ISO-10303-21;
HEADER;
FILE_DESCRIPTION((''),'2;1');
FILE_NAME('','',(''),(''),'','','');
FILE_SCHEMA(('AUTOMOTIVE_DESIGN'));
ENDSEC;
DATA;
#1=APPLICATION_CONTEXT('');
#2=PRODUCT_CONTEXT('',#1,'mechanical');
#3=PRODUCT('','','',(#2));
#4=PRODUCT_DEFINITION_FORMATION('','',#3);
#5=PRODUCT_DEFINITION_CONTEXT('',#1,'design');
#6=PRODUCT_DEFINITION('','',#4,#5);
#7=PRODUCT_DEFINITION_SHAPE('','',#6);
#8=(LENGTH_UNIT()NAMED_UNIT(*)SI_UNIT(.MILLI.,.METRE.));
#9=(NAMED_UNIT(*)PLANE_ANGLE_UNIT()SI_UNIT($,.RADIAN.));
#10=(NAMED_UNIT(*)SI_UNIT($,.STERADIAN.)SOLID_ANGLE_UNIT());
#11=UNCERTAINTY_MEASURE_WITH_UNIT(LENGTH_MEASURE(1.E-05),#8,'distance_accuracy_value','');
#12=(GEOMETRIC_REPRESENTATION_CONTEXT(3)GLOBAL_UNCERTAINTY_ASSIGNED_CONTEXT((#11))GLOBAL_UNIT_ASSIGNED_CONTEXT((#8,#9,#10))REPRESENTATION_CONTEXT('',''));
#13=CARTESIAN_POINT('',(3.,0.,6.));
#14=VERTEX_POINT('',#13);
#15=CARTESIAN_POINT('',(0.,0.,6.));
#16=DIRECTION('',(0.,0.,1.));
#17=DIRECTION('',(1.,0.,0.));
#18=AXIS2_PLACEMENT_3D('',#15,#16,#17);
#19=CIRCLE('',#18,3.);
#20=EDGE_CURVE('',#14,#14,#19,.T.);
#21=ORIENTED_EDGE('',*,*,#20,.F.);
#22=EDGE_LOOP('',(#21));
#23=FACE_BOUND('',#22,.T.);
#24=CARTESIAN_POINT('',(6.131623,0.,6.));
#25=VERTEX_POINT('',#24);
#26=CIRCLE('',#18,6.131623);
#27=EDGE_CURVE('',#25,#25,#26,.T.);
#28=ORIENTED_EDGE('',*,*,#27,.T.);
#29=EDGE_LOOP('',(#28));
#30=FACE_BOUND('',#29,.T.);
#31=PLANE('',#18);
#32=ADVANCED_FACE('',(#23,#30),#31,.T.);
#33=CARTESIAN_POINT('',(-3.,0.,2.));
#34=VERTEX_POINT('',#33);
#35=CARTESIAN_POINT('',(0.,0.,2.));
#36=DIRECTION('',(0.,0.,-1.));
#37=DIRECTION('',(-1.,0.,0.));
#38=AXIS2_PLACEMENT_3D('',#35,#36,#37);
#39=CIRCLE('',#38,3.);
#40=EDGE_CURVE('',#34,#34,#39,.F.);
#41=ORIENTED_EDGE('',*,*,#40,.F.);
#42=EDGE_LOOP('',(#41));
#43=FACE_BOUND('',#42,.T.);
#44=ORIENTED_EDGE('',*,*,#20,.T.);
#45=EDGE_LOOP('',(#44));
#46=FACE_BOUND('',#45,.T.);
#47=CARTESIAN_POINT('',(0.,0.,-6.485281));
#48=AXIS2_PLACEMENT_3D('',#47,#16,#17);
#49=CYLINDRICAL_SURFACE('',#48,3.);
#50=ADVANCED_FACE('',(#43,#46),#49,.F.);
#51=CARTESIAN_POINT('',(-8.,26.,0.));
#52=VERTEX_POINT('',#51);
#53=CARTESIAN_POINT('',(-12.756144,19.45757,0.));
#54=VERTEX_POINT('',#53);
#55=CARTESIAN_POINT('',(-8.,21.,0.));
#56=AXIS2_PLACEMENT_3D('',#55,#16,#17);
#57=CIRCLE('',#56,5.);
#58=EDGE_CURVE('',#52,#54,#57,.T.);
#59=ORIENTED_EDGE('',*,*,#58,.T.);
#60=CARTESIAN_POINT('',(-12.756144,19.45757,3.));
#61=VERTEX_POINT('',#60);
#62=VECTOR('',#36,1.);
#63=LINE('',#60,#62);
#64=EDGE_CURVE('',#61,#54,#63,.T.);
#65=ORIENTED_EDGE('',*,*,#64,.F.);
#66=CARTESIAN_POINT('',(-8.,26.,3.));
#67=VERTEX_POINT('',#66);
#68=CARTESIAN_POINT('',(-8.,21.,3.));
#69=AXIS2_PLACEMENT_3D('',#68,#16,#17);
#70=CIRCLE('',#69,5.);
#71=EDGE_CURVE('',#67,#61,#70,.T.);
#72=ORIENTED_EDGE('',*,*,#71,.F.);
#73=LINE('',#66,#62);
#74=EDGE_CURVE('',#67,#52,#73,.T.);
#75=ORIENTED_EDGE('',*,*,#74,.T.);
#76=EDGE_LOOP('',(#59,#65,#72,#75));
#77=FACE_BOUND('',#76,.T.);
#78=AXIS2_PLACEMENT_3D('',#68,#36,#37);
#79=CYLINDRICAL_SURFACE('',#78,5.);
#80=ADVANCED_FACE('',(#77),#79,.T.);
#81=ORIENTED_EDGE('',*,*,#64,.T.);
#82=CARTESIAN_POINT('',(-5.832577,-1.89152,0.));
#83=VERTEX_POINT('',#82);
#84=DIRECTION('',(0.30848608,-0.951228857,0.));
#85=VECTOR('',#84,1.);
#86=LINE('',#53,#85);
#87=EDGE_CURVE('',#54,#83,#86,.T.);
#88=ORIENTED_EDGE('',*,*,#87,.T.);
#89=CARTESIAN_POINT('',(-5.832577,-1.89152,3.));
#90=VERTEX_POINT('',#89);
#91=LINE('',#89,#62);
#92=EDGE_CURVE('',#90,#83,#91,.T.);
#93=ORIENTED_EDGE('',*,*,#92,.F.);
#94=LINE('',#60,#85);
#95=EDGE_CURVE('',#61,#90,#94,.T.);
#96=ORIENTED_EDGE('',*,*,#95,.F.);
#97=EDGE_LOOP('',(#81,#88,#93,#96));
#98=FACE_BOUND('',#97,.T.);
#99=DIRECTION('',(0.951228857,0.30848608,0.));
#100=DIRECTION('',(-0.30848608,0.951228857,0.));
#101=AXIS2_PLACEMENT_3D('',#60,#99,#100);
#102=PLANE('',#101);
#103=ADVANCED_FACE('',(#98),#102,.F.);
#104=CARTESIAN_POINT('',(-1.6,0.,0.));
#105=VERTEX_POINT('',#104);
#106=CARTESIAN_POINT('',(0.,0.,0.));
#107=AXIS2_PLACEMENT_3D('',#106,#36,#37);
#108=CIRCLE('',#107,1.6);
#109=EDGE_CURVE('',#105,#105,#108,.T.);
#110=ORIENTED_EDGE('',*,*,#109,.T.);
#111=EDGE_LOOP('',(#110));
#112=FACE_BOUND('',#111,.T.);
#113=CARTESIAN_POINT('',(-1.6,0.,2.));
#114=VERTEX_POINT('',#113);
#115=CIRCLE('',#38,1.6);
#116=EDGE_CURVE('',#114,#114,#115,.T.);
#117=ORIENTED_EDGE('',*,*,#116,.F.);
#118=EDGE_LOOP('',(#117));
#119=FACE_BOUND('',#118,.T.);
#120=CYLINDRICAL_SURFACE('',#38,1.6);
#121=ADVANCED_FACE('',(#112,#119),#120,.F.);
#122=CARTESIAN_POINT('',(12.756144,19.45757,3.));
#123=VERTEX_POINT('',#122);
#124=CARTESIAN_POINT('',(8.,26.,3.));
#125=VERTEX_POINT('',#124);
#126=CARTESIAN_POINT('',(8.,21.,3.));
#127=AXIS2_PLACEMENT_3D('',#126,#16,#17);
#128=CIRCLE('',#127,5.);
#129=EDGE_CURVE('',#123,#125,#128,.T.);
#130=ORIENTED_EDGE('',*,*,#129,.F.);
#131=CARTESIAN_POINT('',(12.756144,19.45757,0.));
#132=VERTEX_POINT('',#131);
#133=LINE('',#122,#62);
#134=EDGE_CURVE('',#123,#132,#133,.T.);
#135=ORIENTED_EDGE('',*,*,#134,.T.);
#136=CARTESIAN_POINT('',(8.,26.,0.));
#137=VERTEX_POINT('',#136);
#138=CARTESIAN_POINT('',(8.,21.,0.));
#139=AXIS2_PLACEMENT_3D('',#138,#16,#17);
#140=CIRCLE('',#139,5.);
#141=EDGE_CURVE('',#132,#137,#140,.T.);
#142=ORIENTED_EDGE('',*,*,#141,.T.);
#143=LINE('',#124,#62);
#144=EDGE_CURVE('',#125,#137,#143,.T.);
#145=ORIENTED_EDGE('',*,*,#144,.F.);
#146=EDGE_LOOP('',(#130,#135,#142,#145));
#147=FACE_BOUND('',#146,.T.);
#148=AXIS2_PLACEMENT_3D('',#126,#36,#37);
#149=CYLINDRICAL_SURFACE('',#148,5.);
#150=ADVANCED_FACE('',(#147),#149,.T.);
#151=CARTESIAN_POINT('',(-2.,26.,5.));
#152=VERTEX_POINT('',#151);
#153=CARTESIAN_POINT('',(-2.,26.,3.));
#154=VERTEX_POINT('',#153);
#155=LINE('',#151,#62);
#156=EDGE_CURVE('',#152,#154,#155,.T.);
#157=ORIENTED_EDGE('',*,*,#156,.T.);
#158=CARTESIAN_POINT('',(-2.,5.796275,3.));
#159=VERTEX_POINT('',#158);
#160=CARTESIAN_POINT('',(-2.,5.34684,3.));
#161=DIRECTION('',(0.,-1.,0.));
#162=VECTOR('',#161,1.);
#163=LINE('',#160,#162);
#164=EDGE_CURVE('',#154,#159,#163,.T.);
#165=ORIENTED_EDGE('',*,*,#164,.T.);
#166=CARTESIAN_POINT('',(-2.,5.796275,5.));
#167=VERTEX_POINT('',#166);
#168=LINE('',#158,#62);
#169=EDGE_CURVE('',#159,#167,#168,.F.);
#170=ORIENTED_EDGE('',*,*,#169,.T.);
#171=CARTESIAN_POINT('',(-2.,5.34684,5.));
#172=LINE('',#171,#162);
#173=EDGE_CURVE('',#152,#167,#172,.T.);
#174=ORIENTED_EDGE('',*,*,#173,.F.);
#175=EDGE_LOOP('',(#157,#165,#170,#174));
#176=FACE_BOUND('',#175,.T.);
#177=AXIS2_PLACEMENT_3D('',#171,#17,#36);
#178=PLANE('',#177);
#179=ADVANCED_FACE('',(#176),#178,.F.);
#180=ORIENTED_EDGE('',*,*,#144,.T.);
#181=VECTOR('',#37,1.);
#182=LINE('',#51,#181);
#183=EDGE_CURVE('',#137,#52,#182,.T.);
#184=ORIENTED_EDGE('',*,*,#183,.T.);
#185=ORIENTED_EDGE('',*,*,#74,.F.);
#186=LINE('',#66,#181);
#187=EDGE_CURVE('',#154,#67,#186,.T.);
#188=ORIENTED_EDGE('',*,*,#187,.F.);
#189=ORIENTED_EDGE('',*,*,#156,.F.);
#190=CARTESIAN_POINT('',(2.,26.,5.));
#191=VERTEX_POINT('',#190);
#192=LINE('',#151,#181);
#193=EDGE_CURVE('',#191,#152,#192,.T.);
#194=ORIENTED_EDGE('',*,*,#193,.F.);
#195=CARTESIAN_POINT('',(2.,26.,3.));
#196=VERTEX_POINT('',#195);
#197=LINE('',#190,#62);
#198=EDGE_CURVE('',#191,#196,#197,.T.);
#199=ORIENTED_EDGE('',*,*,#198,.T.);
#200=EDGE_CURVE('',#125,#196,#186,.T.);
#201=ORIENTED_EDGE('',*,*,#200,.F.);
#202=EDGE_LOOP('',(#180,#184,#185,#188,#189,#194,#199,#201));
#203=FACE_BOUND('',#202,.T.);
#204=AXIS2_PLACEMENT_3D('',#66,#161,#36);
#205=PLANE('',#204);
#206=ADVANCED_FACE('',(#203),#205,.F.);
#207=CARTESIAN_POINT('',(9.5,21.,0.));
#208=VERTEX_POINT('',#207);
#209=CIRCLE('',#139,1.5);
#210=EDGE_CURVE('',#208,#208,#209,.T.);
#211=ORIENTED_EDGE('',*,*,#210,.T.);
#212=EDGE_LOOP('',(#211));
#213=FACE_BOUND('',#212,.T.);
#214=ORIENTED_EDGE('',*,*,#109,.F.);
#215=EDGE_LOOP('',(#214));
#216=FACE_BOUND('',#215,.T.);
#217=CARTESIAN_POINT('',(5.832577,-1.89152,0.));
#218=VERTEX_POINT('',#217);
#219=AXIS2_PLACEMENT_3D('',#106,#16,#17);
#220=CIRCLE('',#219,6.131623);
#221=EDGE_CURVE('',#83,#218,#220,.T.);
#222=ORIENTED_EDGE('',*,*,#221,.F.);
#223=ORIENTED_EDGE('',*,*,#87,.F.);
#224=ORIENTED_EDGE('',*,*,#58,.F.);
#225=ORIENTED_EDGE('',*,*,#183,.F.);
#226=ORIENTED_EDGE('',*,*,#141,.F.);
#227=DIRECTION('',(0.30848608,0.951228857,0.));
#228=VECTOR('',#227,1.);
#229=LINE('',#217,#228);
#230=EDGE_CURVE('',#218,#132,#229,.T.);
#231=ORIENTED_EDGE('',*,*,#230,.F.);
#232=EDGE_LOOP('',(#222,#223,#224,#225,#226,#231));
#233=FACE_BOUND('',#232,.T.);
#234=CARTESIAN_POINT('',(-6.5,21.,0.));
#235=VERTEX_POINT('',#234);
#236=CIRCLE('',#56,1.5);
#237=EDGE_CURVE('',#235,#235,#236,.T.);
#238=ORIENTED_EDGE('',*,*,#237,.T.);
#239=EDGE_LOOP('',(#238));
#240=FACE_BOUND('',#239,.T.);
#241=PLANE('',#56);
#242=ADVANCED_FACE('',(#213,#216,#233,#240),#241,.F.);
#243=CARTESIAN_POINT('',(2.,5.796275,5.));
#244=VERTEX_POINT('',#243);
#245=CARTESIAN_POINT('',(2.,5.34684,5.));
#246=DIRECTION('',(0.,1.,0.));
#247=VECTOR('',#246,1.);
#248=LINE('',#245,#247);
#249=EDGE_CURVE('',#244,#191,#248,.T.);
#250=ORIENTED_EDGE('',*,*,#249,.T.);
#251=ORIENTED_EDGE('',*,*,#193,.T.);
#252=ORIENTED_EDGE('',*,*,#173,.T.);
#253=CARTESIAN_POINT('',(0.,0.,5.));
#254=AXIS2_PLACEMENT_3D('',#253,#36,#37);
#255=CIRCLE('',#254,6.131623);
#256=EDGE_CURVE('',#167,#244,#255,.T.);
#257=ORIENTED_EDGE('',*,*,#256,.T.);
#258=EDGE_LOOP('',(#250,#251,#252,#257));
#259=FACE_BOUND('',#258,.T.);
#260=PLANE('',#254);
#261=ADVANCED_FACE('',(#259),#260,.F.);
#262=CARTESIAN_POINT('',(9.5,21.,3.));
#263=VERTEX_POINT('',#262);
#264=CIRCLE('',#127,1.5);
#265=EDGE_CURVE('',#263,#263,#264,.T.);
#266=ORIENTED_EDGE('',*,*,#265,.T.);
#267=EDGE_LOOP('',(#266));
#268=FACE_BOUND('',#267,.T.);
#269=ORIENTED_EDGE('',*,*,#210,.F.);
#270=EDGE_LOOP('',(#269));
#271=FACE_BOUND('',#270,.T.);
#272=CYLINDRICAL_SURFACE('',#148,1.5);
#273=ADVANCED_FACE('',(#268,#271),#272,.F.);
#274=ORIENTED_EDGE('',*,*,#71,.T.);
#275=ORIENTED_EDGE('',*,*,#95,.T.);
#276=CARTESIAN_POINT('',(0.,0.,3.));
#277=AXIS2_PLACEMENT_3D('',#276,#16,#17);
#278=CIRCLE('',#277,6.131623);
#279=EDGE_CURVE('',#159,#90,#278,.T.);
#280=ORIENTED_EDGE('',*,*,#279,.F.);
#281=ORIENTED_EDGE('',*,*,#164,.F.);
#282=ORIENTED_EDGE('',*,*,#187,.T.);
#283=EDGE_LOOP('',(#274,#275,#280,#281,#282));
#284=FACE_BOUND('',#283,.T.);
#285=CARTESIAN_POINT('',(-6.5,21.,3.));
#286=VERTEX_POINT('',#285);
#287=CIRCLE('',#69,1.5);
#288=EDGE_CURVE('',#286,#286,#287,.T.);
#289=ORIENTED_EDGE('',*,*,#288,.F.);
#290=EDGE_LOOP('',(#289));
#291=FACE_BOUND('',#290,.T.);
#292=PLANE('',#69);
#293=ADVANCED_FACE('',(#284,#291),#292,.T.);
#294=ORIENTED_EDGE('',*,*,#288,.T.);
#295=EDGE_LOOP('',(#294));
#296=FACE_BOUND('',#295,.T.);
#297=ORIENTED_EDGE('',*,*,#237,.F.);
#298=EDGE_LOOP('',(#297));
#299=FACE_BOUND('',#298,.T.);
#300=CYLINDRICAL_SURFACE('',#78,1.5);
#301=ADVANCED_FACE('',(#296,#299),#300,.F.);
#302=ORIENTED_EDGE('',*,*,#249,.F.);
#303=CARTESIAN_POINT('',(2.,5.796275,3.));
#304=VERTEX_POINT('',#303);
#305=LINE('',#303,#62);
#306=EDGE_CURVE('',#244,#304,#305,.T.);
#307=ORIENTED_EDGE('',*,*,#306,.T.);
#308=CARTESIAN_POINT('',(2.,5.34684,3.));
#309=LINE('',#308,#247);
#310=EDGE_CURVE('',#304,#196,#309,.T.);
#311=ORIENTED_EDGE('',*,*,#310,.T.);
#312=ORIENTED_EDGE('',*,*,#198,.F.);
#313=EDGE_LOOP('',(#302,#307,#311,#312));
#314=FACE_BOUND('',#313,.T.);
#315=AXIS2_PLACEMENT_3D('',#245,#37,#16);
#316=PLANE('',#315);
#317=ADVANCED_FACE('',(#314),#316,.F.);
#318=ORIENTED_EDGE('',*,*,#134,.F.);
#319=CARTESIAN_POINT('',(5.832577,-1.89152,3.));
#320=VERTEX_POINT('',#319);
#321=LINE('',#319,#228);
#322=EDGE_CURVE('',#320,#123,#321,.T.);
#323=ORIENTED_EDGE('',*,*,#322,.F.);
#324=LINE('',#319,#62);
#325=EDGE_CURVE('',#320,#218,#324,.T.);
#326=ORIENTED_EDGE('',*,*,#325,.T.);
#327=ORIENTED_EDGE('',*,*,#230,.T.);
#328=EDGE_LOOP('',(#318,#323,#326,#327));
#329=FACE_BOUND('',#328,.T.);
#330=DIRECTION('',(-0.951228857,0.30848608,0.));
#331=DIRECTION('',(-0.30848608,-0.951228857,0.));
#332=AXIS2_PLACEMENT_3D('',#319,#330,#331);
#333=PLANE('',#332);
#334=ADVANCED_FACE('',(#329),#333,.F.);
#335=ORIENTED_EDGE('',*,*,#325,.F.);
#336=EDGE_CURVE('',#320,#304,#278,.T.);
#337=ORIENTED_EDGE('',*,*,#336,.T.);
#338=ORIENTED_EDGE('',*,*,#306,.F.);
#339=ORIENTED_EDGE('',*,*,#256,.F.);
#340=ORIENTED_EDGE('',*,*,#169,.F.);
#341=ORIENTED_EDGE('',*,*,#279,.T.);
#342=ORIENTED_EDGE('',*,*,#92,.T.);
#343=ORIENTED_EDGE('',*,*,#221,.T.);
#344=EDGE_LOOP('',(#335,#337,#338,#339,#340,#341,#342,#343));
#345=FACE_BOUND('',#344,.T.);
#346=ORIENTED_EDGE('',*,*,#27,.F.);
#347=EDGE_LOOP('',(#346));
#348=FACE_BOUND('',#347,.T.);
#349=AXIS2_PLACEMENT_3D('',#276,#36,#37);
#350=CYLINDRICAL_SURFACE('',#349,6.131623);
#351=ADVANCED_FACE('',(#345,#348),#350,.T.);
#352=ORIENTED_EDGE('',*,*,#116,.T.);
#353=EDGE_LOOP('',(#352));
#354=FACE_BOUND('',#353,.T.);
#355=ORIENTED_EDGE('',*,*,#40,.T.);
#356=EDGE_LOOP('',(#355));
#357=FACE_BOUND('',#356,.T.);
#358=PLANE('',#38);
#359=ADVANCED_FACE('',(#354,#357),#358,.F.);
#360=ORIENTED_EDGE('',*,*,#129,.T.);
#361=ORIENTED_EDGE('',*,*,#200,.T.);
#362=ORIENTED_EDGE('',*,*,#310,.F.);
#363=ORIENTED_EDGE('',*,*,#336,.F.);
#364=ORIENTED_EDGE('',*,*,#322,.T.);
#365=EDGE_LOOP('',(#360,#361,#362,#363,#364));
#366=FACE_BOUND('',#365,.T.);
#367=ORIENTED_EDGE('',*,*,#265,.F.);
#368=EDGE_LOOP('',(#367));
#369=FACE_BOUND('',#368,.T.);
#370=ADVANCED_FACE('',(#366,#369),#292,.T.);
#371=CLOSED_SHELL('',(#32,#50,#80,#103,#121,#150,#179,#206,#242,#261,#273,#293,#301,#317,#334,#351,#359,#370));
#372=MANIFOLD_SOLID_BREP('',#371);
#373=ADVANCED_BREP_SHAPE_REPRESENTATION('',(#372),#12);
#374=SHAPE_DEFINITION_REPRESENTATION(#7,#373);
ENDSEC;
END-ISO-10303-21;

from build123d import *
from build123d.topology import SkipClean

# Parameters (mm, degrees)
SZKIC1_R                    = 2.75
SZKIC1_R_2                  = 1.5
DODANIE_WYCI_GNI_CIE1_DEPTH = 3
SZKIC2_R                    = 6.131623165
SZKIC2_R_2                  = 2.75
DODANIE_WYCI_GNI_CIE2_DEPTH = 3
SZKIC3_R                    = 3
SZKIC3_R_2                  = 1.6
DODANIE_WYCI_GNI_CIE3_DEPTH = 2
SZKIC4_W                    = 4
SZKIC4_H                    = 20.653159846
DODANIE_WYCI_GNI_CIE4_DEPTH = 2
SZKIC6_R                    = 3
WYTNIJ_WYCI_GNI_CIE1_DEPTH  = 4


with BuildPart() as part:
    # Szkic1 → Dodanie-wyciągnięcie1 (new body)
    with BuildSketch(Plane.XY):
        with BuildLine():
            Line((-8, 26), (8, 26))
            ThreePointArc((8, 26), (12.044264582, 23.940055101), (12.756144284, 19.457569598))
            Line((12.756144284, 19.457569598), (5.832576894, -1.891520397))
            ThreePointArc((5.832576894, -1.891520397), (0, -6.131623165), (-5.832576894, -1.891520397))
            Line((-5.832576894, -1.891520397), (-12.756144284, 19.457569598))
            ThreePointArc((-12.756144284, 19.457569598), (-12.044264582, 23.940055101), (-8, 26))
        make_face()
        Circle(SZKIC1_R, mode=Mode.SUBTRACT)
        with Locations((8, 21)):
            Circle(SZKIC1_R_2, mode=Mode.SUBTRACT)
        with Locations((-8, 21)):
            Circle(SZKIC1_R_2, mode=Mode.SUBTRACT)
    extrude(amount=DODANIE_WYCI_GNI_CIE1_DEPTH)

    # Szkic2 → Dodanie-wyciągnięcie2 (add)
    with BuildSketch(Plane.XY.offset(3)):
        with Locations(Location((0, 0, 0), (0, 0, 197.968018337))):
            Circle(SZKIC2_R)
        Circle(SZKIC2_R_2, mode=Mode.SUBTRACT)
    extrude(amount=DODANIE_WYCI_GNI_CIE2_DEPTH)

    # Szkic3 → Dodanie-wyciągnięcie3 (add)
    with BuildSketch(Plane(origin=(0, 0, 0), x_dir=(-1, 0, 0), z_dir=(0, 0, -1))):
        Circle(SZKIC3_R)
        Circle(SZKIC3_R_2, mode=Mode.SUBTRACT)
    extrude(amount=-DODANIE_WYCI_GNI_CIE3_DEPTH)

    # Szkic4 → Dodanie-wyciągnięcie4 (add)
    with BuildSketch(Plane.XY.offset(3)):
        with Locations((0, 15.673420077)):
            Rectangle(SZKIC4_W, SZKIC4_H)
    extrude(amount=DODANIE_WYCI_GNI_CIE4_DEPTH)

    # Szkic6 → Wytnij-wyciągnięcie1 (cut)
    with SkipClean():  # the faces are left unmerged after this step: merging them gives an invalid solid
        with BuildSketch(Plane.XY.offset(6)):
            Circle(SZKIC6_R)
        extrude(amount=-WYTNIJ_WYCI_GNI_CIE1_DEPTH, mode=Mode.SUBTRACT)


solid = part.part
